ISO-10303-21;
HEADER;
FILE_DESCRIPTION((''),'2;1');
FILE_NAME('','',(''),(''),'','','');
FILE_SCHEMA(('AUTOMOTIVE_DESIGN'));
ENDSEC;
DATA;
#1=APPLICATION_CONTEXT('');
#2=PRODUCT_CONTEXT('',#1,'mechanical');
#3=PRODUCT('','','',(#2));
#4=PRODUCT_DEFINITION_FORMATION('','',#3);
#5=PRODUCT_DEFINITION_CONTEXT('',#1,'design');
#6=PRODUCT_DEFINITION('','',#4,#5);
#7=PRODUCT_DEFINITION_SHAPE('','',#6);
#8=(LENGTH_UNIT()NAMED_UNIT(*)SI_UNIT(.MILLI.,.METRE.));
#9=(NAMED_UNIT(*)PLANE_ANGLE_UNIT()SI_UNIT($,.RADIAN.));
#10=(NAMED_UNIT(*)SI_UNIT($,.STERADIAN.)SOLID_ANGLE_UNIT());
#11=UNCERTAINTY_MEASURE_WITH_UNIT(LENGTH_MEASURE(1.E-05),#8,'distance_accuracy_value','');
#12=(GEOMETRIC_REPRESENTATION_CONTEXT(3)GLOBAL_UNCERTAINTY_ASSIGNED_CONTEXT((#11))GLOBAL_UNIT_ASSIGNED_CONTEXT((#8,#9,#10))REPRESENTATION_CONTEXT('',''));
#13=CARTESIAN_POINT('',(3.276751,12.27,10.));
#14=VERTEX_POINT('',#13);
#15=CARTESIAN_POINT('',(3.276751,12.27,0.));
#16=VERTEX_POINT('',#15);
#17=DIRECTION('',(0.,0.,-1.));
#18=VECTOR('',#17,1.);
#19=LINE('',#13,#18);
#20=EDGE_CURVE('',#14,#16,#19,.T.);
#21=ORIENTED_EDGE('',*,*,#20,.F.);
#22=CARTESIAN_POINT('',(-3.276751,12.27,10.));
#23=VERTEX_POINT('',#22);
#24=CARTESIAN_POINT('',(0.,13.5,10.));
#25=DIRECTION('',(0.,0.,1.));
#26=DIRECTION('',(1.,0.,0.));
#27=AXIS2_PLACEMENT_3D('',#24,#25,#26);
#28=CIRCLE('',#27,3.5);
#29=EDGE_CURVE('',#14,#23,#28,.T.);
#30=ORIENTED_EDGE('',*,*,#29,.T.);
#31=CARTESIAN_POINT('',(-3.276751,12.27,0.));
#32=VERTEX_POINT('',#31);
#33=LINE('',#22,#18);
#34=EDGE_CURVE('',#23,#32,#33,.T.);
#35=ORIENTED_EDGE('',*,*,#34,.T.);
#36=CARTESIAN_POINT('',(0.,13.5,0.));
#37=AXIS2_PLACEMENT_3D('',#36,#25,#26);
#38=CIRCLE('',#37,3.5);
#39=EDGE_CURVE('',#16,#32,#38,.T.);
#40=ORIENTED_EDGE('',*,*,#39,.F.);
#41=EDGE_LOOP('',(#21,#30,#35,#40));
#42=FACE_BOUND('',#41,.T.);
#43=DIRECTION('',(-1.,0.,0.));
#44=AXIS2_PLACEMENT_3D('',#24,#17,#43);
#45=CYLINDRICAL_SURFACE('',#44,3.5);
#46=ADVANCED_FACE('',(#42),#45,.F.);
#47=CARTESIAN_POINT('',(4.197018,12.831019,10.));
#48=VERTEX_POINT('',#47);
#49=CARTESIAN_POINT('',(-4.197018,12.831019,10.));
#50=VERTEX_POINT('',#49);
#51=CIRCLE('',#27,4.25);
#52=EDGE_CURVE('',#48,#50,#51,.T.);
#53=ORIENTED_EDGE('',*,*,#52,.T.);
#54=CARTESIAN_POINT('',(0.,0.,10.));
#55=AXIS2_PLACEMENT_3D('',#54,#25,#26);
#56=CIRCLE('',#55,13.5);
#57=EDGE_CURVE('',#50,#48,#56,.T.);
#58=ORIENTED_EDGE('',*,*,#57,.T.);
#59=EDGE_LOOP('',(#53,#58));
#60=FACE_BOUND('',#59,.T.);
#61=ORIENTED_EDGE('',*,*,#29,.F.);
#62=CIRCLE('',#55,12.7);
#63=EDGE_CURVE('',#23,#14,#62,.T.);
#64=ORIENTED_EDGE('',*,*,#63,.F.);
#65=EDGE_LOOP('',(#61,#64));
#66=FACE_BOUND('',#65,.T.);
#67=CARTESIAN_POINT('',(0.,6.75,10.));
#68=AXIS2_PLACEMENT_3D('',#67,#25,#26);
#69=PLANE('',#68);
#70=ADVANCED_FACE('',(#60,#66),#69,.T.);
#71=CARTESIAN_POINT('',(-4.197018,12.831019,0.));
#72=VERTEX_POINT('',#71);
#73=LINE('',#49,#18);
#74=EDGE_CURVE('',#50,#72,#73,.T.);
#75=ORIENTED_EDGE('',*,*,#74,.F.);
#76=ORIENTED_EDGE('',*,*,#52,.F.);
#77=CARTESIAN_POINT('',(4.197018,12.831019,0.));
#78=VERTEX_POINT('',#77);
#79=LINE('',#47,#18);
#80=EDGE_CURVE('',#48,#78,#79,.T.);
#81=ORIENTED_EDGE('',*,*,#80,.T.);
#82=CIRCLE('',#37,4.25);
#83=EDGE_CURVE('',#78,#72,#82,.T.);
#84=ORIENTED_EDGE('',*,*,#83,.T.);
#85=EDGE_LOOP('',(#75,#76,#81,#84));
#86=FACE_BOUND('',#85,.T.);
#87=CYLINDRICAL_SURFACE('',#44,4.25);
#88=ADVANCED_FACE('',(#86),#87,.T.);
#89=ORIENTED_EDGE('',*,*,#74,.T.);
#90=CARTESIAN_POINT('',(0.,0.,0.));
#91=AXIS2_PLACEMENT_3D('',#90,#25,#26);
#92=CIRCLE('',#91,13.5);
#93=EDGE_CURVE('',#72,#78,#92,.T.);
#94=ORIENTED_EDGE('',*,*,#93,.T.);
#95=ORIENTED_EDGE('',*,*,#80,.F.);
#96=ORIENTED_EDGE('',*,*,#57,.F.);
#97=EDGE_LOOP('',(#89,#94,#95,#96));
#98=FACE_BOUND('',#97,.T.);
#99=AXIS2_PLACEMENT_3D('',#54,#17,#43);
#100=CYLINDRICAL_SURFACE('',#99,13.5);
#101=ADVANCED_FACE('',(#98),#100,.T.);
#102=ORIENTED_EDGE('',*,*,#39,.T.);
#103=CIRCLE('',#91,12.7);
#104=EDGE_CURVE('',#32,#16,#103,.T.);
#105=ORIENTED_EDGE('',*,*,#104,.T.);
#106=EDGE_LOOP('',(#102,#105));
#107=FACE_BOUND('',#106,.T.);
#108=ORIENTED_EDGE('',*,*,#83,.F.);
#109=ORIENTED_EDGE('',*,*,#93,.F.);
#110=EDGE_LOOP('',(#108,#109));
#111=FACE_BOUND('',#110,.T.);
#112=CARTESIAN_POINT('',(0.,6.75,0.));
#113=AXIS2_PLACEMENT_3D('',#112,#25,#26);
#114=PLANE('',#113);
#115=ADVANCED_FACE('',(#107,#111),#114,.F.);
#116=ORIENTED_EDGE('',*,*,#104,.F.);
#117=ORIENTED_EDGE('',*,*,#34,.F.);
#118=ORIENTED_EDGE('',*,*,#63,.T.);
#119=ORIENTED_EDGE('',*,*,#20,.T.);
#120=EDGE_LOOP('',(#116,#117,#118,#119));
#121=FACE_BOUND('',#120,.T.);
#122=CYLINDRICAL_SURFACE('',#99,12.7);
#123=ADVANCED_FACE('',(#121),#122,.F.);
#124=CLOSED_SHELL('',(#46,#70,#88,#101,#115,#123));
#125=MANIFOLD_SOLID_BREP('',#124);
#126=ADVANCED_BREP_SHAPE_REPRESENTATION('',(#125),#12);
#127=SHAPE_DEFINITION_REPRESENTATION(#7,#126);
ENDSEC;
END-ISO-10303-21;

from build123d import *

# Parameters (mm, degrees)
EXTRUDE_1_DEPTH = 10


with BuildPart() as part:
    # ｽｹｯﾁ1 → ﾎﾞｽ - 押し出し1 (new body)
    with BuildSketch(Plane.XY):
        with BuildLine():
            ThreePointArc((-4.197018439, 12.831018519), (0, -13.5), (4.197018439, 12.831018519))
            ThreePointArc((4.197018439, 12.831018519), (0, 17.75), (-4.197018439, 12.831018519))
        make_face()
        with BuildLine():
            ThreePointArc((3.27675144, 12.27), (0, 17), (-3.27675144, 12.27))
            ThreePointArc((-3.27675144, 12.27), (0, -12.7), (3.27675144, 12.27))
        make_face(mode=Mode.SUBTRACT)
    extrude(amount=EXTRUDE_1_DEPTH)


solid = part.part
